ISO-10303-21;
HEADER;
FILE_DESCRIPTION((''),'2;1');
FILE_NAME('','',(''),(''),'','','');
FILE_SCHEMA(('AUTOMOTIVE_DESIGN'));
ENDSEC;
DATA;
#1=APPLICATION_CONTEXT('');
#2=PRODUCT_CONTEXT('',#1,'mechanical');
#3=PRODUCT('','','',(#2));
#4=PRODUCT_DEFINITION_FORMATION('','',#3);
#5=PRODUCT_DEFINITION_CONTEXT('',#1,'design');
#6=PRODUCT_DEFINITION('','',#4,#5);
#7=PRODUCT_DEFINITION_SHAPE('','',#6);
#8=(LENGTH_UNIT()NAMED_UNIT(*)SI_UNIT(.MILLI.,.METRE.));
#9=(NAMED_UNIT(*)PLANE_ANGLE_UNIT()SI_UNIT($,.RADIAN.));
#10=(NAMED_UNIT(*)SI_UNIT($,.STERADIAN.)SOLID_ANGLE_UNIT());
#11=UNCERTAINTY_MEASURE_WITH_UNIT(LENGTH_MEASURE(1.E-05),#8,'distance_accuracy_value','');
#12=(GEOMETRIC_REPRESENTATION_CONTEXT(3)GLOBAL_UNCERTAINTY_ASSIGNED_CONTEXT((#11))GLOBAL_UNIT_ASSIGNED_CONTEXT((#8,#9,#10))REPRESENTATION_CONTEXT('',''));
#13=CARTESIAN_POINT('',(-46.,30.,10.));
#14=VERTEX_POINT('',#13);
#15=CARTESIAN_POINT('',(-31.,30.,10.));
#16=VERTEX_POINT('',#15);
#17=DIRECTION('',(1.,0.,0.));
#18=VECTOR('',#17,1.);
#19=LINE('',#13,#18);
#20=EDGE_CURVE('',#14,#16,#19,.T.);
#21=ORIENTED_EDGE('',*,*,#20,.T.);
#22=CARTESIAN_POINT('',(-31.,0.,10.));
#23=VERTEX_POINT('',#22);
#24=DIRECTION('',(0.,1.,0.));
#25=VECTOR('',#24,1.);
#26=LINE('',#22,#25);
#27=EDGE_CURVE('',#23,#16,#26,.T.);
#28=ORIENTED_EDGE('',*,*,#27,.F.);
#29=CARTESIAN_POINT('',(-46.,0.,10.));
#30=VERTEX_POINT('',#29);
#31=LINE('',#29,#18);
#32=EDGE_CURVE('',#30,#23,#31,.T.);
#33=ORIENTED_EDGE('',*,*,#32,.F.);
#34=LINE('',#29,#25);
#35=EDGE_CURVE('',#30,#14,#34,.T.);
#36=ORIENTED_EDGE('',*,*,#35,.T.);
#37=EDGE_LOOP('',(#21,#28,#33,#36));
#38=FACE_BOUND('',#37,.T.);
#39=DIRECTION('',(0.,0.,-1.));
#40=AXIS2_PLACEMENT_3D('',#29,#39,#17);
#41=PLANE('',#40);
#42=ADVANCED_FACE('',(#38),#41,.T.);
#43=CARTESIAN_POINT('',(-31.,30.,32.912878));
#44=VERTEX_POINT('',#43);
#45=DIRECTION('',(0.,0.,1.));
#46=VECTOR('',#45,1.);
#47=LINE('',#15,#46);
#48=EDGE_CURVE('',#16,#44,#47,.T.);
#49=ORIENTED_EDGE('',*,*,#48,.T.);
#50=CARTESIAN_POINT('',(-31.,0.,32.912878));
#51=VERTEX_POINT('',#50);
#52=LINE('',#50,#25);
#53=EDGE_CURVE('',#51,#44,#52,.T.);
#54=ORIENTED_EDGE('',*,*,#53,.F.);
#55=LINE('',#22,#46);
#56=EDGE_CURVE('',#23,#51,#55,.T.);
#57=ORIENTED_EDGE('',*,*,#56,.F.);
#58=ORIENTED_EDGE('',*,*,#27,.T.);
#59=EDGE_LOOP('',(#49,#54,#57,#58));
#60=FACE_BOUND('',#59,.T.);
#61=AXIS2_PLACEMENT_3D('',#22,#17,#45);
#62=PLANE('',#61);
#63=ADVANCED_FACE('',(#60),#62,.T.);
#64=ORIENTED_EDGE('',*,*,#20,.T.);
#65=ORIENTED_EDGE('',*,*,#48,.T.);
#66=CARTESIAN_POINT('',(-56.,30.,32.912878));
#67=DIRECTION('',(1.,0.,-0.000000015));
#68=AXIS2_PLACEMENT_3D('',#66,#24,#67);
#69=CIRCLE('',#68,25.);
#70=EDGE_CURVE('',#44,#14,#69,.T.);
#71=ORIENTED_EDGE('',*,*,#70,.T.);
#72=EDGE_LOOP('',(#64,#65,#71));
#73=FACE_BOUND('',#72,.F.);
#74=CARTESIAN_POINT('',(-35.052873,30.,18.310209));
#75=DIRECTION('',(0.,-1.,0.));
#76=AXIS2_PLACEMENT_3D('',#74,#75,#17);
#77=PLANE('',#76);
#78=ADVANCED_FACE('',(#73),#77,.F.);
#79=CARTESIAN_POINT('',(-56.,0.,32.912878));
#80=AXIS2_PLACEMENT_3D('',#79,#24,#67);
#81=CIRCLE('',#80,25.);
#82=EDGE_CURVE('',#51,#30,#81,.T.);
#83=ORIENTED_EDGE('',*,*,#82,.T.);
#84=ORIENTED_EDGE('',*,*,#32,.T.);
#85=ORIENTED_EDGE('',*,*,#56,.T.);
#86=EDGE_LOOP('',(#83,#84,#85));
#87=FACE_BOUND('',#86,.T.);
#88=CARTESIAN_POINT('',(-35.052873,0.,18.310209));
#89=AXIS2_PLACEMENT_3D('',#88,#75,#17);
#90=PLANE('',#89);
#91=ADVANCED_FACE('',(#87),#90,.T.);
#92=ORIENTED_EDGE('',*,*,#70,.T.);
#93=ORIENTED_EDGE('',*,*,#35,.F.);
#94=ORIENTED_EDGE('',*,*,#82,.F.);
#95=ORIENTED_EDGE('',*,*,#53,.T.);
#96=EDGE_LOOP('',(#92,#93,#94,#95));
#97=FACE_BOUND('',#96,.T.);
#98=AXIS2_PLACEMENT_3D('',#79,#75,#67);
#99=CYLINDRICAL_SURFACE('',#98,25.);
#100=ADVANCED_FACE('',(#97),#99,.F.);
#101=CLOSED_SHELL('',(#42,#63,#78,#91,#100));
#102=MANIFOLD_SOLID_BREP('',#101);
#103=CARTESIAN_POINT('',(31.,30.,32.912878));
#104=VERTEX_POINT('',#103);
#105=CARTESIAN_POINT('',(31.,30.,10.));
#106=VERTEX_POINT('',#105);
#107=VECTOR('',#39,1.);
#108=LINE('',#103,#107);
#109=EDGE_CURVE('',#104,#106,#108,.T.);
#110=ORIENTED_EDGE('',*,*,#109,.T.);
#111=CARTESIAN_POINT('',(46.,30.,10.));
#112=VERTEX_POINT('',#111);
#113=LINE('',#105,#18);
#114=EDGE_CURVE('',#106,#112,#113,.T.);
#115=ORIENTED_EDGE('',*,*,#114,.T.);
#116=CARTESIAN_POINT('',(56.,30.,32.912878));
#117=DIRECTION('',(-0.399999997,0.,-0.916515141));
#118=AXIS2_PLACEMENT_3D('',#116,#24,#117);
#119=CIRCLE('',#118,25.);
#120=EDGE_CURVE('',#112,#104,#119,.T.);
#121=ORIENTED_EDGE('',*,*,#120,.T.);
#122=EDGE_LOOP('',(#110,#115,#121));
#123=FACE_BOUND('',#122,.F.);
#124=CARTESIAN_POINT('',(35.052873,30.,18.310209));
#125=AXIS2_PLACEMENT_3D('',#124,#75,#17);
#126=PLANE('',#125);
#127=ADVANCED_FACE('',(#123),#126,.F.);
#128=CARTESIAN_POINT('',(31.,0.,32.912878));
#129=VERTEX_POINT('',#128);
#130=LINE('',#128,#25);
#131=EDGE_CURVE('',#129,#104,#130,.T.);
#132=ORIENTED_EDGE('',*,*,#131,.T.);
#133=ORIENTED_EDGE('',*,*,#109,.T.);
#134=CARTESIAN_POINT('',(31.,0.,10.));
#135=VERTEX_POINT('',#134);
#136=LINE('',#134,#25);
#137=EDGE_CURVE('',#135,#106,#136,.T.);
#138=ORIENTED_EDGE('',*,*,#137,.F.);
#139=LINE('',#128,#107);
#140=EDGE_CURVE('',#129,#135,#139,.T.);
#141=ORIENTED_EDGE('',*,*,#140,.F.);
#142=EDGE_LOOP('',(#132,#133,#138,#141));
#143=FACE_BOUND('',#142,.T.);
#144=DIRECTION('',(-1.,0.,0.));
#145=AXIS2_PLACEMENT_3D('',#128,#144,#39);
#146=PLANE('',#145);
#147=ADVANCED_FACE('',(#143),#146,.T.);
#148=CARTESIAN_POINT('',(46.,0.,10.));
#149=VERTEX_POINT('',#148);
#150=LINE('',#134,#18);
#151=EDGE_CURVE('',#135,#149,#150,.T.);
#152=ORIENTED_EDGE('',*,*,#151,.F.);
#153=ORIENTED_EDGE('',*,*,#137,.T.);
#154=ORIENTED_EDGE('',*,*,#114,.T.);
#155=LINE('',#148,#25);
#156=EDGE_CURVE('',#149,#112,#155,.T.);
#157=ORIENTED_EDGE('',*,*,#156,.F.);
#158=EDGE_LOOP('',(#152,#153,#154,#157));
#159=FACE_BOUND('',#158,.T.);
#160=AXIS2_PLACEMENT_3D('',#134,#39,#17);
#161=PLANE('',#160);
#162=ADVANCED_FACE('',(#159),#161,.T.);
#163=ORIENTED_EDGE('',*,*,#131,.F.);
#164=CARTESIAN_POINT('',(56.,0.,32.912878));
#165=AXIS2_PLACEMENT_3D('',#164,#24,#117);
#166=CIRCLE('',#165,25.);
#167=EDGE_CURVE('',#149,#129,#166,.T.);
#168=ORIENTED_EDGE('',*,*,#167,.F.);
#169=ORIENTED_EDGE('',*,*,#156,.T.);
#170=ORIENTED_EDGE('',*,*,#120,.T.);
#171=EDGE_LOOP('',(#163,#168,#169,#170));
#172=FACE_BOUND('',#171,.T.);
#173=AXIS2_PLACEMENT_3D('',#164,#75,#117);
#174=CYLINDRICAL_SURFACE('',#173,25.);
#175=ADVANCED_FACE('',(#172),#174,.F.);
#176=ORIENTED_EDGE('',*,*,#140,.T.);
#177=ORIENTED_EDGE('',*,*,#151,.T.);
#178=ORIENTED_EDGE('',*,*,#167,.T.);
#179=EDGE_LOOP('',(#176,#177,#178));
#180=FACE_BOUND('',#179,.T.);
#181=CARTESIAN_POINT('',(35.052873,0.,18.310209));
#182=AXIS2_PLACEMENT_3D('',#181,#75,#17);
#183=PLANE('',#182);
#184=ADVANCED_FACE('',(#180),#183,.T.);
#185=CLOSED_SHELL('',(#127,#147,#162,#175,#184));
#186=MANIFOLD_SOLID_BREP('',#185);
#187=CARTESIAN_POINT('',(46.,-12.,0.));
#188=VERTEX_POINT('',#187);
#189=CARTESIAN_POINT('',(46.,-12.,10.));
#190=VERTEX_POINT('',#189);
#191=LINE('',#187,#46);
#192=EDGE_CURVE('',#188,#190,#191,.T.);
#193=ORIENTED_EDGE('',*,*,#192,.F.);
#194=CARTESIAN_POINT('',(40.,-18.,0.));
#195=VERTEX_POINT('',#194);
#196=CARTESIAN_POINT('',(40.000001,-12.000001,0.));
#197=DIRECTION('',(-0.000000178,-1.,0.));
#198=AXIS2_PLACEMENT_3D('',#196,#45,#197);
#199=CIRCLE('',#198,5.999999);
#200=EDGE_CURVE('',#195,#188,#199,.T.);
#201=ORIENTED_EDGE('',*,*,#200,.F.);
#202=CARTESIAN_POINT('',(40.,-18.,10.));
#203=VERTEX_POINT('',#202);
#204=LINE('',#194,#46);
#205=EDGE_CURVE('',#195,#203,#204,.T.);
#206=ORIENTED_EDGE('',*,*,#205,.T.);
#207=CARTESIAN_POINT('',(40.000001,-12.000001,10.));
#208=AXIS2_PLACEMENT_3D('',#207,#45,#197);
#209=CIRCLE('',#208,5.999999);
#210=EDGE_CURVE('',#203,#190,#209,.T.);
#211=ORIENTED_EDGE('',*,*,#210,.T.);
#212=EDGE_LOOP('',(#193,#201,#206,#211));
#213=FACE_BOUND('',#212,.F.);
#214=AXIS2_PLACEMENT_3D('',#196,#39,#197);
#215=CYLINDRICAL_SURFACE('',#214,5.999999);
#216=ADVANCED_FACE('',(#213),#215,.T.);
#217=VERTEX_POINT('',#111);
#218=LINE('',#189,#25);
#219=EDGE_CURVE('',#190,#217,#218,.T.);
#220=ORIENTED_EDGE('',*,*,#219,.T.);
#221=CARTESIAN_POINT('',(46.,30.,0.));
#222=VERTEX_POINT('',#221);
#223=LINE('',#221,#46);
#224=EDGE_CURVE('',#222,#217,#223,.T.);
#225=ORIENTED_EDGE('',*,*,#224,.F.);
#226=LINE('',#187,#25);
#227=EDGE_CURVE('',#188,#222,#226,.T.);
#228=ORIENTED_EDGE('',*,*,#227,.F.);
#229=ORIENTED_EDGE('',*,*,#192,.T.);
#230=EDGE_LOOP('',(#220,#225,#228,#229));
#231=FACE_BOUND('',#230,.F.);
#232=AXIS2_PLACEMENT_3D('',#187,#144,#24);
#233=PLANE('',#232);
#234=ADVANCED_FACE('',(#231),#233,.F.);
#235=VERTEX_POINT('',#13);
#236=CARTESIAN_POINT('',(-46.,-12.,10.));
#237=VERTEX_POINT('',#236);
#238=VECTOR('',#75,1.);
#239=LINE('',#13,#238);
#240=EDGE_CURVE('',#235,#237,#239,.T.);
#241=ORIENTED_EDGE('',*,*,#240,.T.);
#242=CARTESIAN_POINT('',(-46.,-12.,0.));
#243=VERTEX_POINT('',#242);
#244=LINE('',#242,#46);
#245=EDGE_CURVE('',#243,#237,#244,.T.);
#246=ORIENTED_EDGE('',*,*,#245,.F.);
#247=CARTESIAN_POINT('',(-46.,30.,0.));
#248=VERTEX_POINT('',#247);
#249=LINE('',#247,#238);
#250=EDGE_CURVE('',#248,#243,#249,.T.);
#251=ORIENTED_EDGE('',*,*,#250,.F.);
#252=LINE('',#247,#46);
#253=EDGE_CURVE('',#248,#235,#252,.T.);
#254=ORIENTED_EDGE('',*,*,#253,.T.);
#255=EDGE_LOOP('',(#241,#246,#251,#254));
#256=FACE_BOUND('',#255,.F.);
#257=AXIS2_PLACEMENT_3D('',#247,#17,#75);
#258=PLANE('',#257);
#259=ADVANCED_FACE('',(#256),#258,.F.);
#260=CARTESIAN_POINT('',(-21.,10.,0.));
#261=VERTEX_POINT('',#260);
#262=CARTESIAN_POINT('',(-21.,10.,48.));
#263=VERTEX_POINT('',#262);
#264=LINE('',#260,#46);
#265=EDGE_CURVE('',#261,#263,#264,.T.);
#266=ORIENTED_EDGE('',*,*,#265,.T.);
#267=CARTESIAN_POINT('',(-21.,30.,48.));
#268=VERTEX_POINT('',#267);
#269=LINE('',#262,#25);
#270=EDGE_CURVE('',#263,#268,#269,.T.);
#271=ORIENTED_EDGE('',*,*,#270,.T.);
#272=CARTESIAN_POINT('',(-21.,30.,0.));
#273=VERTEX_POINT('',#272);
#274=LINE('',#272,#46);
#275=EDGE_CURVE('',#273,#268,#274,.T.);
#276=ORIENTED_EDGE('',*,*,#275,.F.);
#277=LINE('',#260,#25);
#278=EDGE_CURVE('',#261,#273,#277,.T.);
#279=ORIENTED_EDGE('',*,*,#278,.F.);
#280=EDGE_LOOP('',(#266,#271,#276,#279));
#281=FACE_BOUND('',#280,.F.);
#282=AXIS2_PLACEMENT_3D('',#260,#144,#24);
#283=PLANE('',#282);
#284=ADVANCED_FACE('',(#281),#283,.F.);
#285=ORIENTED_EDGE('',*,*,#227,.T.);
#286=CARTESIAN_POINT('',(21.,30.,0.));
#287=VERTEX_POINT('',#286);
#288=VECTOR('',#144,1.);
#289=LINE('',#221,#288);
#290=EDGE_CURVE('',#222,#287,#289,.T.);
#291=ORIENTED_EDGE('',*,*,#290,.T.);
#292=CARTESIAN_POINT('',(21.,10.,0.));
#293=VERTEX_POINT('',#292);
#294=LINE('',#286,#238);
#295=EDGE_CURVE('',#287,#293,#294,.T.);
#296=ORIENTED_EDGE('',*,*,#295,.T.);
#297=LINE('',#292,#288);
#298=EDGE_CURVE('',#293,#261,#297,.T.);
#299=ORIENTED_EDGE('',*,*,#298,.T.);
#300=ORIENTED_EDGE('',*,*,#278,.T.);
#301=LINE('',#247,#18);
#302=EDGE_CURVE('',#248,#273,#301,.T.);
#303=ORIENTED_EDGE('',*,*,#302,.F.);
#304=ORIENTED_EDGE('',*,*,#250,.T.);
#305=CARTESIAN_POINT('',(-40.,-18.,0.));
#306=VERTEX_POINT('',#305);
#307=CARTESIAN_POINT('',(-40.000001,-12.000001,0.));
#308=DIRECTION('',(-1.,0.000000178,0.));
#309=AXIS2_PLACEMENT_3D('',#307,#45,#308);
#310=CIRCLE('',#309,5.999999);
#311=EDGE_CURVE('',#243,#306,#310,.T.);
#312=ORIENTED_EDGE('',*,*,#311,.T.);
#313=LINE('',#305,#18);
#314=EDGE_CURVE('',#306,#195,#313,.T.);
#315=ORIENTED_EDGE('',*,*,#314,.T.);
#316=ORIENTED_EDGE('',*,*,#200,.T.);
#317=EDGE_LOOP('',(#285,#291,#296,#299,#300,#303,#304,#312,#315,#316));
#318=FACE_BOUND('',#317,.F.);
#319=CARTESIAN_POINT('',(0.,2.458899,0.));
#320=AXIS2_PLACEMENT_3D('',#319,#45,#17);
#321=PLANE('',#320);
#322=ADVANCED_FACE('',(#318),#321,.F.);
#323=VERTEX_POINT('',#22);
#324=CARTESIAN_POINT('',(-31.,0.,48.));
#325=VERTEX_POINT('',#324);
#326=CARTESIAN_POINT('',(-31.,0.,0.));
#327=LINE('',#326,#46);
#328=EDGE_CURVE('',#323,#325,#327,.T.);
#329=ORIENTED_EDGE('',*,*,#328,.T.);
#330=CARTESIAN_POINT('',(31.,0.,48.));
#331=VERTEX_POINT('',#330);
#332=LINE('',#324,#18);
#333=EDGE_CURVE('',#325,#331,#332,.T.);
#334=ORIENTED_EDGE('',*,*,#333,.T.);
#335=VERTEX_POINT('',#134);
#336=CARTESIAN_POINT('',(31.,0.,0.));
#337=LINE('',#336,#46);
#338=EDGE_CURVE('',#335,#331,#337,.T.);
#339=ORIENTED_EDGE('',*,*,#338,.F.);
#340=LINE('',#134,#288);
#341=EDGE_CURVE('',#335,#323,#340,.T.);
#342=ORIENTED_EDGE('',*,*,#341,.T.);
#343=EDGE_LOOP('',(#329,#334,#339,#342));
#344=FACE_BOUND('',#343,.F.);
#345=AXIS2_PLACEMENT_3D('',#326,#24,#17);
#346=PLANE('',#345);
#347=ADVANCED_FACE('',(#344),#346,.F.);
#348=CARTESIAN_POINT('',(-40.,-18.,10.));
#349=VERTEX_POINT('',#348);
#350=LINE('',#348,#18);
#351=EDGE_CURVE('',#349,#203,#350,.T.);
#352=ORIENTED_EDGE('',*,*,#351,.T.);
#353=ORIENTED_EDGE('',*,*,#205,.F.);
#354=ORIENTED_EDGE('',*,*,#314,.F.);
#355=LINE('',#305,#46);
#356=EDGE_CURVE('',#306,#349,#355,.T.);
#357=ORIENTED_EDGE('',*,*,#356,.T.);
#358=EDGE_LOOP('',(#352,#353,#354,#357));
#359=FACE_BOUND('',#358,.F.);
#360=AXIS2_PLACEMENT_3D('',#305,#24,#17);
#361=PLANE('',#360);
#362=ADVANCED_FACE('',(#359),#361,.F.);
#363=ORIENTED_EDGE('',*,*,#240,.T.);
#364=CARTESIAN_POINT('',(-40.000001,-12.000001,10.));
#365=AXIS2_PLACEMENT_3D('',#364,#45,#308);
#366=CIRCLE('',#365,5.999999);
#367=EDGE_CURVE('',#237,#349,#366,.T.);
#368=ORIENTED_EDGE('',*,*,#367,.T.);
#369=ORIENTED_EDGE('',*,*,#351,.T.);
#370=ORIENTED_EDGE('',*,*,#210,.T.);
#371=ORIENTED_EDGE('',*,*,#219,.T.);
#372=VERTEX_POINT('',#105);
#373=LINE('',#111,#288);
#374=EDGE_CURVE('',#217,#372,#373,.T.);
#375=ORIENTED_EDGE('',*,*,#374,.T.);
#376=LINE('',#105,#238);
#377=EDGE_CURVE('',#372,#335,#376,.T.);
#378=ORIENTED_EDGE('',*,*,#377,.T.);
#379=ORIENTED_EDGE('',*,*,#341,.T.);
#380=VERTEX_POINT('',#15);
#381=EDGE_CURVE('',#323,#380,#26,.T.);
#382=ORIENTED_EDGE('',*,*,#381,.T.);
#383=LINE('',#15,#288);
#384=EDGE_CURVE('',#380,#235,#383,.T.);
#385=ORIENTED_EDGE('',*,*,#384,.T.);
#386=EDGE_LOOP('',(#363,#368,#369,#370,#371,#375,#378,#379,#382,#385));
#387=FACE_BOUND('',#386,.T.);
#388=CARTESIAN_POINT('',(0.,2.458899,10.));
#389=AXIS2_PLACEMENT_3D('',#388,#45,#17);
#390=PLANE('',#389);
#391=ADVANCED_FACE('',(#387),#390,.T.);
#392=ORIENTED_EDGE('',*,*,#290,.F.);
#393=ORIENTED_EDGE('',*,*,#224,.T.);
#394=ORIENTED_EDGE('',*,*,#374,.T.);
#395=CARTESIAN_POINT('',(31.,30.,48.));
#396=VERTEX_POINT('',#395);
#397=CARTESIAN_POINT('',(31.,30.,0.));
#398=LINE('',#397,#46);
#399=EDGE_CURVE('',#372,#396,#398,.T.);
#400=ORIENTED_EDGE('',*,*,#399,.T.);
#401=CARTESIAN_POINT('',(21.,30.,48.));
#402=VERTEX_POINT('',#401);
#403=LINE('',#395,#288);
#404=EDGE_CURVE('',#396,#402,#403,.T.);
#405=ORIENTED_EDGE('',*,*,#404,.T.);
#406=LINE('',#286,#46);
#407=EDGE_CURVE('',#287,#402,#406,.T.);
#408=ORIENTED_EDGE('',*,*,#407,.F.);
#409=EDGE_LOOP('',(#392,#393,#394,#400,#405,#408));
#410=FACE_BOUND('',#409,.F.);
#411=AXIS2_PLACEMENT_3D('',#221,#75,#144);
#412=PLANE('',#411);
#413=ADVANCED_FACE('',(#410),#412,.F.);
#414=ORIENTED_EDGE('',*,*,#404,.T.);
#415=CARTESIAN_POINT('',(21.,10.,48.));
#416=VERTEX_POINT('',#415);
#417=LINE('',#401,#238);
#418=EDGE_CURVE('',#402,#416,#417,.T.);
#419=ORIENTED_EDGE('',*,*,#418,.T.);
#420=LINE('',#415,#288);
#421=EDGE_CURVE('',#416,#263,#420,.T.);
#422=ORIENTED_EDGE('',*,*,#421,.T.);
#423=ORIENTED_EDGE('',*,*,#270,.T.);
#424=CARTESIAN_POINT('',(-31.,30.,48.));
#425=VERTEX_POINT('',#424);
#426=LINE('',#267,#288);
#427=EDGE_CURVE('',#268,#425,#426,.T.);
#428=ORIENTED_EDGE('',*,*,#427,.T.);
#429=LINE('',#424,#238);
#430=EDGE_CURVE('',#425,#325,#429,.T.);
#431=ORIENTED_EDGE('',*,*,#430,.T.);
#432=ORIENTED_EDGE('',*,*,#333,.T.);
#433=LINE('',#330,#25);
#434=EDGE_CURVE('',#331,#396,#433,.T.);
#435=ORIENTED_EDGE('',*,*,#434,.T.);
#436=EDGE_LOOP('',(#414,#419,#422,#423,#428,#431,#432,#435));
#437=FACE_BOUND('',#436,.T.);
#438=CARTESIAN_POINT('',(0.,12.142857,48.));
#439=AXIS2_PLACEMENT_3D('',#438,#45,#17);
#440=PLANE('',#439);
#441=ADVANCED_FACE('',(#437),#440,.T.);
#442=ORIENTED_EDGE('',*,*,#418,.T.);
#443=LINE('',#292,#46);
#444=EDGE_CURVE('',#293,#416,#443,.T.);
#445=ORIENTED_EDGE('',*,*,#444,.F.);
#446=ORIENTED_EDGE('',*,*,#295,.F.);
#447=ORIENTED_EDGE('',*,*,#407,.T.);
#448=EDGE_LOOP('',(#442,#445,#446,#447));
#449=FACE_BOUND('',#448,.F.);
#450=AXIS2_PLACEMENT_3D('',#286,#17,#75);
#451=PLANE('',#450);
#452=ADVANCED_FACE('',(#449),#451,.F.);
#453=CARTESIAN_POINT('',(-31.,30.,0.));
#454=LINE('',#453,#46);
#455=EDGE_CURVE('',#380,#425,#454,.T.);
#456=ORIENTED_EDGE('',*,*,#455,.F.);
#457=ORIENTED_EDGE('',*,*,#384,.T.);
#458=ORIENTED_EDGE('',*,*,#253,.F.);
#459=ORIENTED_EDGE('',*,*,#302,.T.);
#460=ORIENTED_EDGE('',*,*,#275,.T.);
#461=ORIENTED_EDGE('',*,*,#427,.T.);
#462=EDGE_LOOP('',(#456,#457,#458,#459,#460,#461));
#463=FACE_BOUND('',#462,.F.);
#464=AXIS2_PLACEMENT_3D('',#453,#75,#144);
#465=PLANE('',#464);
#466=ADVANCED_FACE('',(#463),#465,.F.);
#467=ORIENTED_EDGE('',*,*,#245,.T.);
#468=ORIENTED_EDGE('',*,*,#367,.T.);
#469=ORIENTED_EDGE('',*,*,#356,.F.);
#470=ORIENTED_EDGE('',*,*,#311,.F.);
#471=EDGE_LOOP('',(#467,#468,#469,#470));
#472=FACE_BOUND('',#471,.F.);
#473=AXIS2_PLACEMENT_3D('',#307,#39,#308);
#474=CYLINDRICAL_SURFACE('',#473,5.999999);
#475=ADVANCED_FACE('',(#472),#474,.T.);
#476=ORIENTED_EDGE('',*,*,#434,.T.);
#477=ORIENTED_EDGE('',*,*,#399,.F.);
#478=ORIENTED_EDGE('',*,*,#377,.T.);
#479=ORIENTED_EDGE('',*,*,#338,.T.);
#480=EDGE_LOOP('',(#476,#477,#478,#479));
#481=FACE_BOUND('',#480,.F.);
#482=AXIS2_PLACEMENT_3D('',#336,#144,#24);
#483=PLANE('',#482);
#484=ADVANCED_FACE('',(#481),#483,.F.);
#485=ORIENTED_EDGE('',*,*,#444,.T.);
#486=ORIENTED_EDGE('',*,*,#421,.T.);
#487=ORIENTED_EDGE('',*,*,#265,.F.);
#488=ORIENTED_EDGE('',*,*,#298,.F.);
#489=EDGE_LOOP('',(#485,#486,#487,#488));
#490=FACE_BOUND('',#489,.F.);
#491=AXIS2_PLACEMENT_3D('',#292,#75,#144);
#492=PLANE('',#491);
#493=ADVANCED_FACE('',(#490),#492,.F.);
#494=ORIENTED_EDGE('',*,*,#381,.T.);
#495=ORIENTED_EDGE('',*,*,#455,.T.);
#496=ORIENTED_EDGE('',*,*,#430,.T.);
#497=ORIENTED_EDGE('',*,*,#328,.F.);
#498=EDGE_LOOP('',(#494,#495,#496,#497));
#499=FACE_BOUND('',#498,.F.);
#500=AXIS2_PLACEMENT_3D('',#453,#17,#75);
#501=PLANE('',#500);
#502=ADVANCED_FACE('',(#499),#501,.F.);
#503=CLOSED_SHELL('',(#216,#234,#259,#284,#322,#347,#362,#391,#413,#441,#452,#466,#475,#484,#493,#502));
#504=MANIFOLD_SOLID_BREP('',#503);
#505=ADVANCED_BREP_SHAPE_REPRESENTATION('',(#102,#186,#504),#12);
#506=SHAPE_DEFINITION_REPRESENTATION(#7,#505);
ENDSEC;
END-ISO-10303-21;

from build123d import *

# Parameters (mm, degrees)
F2_DEPTH = 48
F3_DEPTH = 10
F5_DEPTH = 30


with BuildPart() as f2:
    # F1 (on Top) → F2 (new body)
    with BuildSketch(Plane.XY):
        Polygon((-21, 30), (-31, 30), (-31, 0), (31, 0), (31, 30), (21, 30), (21, 10), (-21, 10), align=None)
    extrude(amount=F2_DEPTH)

    # F0 (on Top) → F3 (join)
    with BuildSketch(Plane.XY):
        with BuildLine():
            Line((46, -12), (46, 30))
            Line((46, 30), (31, 30))
            Line((31, 30), (31, 0))
            Line((31, 0), (-31, 0))
            Line((-31, 0), (-31, 30))
            Line((-31, 30), (-46, 30))
            Line((-46, 30), (-46, -12))
            ThreePointArc((-46, -12), (-44.242641, -16.242641), (-40, -18))
            Line((-40, -18), (40, -18))
            ThreePointArc((40, -18), (44.242641, -16.242641), (46, -12))
        make_face()
    extrude(amount=F3_DEPTH)


with BuildPart() as f5:
    # F4 (on Front) → F5 (new body)
    with BuildSketch(Plane.XZ):
        with BuildLine():
            ThreePointArc((-31, 32.912878), (-35.083499, 19.219815), (-46, 10))
            Line((-46, 10), (-31, 10))
            Line((-31, 10), (-31, 32.912878))
        make_face()
        with BuildLine():
            ThreePointArc((46, 10), (35.083499, 19.219815), (31, 32.912878))
            Line((31, 32.912878), (31, 10))
            Line((31, 10), (46, 10))
        make_face()
    extrude(amount=-F5_DEPTH)


solid = Compound([f2.part, f5.part])
